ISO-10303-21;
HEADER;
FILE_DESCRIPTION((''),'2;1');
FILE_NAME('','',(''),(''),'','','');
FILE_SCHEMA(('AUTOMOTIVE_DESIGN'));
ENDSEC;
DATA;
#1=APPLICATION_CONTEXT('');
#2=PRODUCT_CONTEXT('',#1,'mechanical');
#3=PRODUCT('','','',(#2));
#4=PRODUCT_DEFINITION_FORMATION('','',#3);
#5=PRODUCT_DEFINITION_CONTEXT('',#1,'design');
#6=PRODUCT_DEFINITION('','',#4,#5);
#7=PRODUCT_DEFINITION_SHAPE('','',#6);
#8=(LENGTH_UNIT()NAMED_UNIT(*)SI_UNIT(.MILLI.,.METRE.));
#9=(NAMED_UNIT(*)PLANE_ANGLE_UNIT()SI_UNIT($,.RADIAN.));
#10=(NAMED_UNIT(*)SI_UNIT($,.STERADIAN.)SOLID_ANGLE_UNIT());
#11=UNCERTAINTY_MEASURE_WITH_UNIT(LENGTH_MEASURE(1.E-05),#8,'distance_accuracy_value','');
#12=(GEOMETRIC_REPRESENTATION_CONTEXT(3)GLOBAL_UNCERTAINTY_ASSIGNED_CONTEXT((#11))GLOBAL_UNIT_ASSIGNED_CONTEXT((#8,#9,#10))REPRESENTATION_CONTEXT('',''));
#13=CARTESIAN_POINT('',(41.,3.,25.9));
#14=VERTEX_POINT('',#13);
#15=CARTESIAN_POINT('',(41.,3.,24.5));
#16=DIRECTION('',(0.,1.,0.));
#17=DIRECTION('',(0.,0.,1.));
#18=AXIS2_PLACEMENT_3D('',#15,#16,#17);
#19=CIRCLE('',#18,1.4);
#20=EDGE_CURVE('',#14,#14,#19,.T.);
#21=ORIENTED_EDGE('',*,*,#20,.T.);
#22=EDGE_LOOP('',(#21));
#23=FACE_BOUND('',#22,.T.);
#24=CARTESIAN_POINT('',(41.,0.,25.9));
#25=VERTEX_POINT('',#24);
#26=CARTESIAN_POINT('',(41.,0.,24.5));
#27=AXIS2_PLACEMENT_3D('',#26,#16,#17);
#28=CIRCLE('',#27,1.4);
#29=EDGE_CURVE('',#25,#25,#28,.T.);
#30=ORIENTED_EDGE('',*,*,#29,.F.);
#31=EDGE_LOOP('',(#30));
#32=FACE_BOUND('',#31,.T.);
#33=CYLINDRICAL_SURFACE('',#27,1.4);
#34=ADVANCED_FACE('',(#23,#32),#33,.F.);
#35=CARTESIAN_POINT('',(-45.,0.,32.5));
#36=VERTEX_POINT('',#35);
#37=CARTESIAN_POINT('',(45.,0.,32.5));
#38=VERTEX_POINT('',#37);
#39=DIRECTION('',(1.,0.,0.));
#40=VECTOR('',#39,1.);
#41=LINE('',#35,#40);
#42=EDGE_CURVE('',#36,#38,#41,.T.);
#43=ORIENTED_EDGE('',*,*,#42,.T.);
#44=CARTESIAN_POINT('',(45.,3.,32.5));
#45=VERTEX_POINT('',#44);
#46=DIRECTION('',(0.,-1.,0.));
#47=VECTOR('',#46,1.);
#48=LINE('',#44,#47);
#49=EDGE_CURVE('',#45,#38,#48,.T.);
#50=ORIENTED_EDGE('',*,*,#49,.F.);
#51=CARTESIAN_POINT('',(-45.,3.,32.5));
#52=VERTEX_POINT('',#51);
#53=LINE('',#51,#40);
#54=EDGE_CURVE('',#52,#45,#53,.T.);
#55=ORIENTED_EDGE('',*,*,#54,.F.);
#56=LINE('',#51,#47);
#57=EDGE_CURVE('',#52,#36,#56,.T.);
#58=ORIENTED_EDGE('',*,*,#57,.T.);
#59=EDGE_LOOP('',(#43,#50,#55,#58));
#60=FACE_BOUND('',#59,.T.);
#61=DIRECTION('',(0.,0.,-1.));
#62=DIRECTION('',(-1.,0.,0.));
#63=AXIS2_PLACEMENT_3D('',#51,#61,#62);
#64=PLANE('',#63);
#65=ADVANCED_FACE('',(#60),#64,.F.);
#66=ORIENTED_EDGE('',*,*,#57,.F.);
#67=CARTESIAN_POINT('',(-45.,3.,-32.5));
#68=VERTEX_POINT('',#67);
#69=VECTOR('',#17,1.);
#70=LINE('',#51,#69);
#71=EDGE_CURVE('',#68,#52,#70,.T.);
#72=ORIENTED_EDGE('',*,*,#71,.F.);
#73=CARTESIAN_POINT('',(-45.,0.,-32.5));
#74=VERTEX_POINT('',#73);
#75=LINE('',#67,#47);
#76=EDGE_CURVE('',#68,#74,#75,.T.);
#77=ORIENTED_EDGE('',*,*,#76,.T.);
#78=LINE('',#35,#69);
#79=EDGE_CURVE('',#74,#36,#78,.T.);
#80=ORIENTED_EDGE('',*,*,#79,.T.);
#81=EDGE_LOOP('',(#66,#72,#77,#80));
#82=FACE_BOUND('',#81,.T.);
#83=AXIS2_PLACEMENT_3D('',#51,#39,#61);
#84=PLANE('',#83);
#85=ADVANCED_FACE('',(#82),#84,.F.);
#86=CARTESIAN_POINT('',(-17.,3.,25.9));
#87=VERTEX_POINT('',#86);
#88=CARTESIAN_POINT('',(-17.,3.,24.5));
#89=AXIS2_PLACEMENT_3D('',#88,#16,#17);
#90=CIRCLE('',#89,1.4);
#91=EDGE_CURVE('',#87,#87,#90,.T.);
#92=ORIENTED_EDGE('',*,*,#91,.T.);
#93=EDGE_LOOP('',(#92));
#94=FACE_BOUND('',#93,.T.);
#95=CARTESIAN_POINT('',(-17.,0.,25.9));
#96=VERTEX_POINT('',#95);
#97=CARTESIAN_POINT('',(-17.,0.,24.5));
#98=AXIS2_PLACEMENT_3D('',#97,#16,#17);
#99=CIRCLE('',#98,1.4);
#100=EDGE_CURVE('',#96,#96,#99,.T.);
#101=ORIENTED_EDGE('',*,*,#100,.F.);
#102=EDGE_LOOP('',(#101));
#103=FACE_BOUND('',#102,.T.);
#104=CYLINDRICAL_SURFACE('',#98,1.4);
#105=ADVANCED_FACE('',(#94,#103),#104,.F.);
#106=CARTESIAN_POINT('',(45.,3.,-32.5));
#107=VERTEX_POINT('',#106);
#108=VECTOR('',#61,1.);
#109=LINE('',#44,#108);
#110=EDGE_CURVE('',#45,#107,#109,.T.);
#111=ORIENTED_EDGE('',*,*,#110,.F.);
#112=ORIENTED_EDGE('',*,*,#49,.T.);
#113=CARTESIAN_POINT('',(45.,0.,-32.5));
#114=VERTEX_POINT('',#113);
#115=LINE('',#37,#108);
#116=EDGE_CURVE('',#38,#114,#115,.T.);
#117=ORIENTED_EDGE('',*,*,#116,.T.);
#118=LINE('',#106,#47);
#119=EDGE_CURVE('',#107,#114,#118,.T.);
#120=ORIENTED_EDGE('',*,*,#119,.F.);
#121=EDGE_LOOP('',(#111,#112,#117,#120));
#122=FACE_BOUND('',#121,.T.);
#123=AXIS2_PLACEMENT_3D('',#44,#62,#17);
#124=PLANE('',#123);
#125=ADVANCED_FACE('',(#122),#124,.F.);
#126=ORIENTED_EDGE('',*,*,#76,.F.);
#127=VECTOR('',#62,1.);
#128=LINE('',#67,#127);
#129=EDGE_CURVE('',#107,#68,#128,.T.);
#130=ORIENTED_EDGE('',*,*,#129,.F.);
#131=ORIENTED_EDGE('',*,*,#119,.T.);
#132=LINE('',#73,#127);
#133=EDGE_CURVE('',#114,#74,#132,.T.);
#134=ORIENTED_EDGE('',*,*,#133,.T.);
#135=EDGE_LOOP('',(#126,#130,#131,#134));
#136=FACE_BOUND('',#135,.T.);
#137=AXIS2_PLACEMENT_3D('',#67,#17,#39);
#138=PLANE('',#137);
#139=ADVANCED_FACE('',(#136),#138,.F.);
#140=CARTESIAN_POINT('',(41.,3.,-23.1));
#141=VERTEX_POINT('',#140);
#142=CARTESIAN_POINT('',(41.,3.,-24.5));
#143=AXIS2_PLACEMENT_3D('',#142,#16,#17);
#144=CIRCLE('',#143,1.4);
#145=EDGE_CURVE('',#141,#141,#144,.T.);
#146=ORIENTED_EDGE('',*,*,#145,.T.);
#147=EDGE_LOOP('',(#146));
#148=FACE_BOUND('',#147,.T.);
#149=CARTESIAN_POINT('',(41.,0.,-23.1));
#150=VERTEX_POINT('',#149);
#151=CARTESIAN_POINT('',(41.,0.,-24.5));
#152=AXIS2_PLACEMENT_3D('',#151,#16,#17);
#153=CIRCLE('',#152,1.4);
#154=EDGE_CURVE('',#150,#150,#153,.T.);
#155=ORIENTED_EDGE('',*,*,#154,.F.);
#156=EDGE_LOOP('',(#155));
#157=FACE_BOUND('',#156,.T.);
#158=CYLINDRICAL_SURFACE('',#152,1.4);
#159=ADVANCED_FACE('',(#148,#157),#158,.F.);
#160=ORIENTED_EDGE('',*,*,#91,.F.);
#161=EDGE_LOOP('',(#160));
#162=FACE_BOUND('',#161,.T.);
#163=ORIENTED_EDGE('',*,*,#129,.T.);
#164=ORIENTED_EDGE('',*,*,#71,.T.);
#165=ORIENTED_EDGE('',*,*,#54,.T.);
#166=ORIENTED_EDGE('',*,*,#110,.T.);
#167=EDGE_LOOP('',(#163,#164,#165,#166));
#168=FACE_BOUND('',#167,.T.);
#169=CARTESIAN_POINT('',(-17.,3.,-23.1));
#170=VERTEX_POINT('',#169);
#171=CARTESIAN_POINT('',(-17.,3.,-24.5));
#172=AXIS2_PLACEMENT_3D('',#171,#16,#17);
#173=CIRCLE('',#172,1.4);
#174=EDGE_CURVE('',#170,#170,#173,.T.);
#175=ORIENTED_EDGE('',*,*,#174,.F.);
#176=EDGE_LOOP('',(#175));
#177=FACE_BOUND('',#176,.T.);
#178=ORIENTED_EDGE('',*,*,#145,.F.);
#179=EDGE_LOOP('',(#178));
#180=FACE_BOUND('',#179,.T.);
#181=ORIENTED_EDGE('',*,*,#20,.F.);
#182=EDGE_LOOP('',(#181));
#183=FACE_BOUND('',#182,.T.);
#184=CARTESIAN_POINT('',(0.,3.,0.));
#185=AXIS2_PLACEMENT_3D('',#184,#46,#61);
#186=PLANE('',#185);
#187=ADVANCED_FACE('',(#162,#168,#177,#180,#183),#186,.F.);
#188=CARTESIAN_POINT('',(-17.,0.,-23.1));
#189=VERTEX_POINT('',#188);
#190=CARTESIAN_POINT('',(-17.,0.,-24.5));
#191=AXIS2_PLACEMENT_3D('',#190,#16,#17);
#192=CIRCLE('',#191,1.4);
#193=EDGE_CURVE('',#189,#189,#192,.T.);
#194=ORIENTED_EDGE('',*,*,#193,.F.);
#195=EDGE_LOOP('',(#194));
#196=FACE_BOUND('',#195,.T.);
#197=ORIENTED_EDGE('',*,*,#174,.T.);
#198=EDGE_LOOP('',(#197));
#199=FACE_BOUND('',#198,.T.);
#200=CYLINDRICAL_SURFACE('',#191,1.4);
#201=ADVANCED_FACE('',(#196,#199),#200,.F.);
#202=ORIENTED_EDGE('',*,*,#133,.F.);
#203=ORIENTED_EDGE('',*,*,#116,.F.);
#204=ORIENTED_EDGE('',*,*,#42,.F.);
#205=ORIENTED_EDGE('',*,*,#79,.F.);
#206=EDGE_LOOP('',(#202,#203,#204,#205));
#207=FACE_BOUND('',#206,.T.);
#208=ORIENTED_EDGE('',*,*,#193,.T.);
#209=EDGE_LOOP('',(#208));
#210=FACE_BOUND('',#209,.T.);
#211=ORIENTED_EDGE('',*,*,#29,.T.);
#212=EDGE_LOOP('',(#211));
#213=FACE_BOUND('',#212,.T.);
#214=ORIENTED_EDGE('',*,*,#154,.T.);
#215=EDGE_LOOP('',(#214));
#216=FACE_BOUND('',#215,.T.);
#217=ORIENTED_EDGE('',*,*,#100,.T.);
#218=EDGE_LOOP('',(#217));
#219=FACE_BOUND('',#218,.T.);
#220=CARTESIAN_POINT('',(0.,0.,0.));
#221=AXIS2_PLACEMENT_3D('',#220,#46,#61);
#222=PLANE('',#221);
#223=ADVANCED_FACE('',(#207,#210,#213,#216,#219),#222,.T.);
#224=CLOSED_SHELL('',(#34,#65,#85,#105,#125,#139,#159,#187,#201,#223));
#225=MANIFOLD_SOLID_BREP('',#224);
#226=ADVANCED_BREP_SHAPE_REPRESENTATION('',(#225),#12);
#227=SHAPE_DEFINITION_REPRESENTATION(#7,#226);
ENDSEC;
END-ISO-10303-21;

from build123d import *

# Parameters (mm, degrees)
SKETCH_1_W          = 90
SKETCH_1_H          = 65
EXTRUDE_1_DEPTH     = 3
SKETCH_2_R          = 1.4
CUT_EXTRUDE_1_DEPTH = 3


with BuildPart() as part:
    # 草图1 → 凸台-拉伸1 (new body)
    with BuildSketch(Plane(origin=(0, 0, 0), x_dir=(1, 0, 0), z_dir=(0, 1, 0))):
        Rectangle(SKETCH_1_W, SKETCH_1_H)
    extrude(amount=EXTRUDE_1_DEPTH)

    # 草图2 → 切除-拉伸1 (cut)
    with BuildSketch(Plane(origin=(0, 3, 0), x_dir=(1, 0, 0), z_dir=(0, 1, 0))):
        with Locations(Location((41, 24.5, 0), (0, 0, 270))):
            Circle(SKETCH_2_R)
        with Locations(Location((-17, 24.5, 0), (0, 0, 270))):
            Circle(SKETCH_2_R)
        with Locations(Location((-17, -24.5, 0), (0, 0, 270))):
            Circle(SKETCH_2_R)
        with Locations(Location((41, -24.5, 0), (0, 0, 270))):
            Circle(SKETCH_2_R)
    extrude(amount=-CUT_EXTRUDE_1_DEPTH, mode=Mode.SUBTRACT)


solid = part.part
